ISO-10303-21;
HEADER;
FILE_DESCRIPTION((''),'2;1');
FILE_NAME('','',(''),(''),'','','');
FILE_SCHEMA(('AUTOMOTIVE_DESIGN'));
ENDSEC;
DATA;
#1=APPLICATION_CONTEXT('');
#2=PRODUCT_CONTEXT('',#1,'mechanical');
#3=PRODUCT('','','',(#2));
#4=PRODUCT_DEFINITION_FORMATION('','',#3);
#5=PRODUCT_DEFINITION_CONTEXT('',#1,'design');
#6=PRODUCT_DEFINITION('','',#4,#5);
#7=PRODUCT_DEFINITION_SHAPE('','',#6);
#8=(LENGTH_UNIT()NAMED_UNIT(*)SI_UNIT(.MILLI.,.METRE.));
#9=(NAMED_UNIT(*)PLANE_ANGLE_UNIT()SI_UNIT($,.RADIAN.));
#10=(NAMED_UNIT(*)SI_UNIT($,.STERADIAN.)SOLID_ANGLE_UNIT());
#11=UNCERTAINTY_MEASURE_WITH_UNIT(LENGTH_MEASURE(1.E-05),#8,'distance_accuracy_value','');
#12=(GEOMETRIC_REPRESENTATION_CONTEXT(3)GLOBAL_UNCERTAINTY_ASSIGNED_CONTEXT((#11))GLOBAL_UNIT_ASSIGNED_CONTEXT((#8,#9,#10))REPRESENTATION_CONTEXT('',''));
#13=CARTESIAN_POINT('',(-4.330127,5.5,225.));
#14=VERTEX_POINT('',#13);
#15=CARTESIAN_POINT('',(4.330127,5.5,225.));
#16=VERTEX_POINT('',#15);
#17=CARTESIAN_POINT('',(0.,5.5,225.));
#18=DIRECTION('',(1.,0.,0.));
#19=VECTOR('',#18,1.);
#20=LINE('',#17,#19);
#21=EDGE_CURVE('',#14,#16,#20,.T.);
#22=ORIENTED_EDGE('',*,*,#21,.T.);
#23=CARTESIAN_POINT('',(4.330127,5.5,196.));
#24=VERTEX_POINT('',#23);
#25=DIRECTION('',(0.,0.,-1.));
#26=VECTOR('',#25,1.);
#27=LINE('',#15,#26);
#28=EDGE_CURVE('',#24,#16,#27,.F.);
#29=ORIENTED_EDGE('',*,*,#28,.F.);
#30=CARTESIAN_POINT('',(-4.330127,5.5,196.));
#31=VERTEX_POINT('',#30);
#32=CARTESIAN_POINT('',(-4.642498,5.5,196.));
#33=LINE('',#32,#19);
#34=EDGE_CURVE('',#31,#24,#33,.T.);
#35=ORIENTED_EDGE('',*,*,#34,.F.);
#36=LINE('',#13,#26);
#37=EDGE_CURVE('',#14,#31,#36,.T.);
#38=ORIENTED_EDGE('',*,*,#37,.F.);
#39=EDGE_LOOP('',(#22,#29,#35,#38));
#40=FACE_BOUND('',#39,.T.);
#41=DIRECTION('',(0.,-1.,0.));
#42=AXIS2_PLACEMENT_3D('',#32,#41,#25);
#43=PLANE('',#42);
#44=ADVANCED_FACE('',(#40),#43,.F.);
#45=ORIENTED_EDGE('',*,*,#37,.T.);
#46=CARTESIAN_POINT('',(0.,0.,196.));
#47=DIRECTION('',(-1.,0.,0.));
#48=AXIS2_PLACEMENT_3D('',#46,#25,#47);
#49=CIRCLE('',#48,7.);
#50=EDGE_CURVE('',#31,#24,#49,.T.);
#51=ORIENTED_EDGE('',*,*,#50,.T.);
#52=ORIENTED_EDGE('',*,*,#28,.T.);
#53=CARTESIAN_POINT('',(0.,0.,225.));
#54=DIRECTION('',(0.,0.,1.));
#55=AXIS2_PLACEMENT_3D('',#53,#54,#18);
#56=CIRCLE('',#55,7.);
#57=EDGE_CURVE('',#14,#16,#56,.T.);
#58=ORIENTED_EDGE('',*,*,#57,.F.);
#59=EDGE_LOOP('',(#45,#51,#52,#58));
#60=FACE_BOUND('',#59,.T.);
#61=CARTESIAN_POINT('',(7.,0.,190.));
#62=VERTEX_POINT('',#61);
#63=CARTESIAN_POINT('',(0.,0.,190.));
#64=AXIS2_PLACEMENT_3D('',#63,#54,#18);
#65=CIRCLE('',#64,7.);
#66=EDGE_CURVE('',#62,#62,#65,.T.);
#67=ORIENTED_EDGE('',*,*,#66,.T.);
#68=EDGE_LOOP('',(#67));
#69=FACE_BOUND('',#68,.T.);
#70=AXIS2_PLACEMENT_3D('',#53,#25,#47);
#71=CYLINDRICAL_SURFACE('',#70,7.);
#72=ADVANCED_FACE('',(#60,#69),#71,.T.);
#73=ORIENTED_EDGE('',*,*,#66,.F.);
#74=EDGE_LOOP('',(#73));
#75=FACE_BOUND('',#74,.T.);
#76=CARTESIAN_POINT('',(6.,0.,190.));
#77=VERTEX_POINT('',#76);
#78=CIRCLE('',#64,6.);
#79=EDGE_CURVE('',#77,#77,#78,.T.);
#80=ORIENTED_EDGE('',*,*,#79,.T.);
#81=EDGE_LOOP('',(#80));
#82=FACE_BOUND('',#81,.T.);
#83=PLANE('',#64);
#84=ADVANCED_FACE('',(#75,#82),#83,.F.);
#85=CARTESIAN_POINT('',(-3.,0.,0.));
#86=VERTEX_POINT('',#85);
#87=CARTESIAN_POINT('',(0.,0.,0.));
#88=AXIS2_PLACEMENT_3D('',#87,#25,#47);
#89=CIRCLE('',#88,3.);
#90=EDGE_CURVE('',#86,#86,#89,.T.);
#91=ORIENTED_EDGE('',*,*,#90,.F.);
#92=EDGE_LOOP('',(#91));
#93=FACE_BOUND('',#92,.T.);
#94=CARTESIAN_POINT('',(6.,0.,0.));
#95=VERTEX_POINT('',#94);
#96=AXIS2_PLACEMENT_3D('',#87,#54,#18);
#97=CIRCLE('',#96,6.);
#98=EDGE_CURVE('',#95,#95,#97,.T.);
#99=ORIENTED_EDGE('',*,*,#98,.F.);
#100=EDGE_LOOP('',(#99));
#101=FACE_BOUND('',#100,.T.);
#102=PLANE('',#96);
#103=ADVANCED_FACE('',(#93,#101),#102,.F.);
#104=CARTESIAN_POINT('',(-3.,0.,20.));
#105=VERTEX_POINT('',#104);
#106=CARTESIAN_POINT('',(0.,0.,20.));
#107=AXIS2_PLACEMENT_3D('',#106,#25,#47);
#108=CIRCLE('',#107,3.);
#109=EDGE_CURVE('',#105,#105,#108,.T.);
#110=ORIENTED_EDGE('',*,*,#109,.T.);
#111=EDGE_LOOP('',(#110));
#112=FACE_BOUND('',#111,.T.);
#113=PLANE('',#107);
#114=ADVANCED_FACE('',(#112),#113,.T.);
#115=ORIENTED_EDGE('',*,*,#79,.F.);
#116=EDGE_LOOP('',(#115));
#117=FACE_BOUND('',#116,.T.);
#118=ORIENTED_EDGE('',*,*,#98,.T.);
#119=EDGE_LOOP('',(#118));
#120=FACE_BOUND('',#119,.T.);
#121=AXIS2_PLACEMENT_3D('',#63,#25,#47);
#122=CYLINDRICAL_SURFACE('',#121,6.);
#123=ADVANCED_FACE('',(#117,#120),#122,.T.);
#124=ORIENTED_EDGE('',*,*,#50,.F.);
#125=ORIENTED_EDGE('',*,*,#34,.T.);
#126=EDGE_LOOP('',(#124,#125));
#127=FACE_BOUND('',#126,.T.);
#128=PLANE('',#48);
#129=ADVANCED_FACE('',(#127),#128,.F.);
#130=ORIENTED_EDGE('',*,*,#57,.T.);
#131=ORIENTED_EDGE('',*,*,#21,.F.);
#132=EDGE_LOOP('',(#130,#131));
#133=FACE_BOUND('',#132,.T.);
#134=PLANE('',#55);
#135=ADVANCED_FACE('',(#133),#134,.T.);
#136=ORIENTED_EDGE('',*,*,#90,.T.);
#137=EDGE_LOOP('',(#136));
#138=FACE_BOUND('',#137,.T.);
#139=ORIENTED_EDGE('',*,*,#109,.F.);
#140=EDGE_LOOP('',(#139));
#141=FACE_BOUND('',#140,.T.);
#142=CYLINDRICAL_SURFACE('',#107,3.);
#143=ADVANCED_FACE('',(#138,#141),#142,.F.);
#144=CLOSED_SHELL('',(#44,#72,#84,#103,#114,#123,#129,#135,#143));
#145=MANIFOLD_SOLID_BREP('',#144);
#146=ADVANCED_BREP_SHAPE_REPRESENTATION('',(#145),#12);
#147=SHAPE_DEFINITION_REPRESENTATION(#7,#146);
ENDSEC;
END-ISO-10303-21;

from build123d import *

# Parameters (mm, degrees)
ESQUISSE1_R             = 6
BOSS_EXTRU_1_DEPTH      = 190
ESQUISSE2_R             = 7
BOSS_EXTRU_2_DEPTH      = 35
ESQUISSE3_R             = 3
ENL_V_MAT_EXTRU_1_DEPTH = 20
ESQUISSE4_W             = 10.048379513
ESQUISSE4_H             = 5
ENL_V_MAT_EXTRU_2_DEPTH = 29


with BuildPart() as part:
    # Esquisse1 → Boss.-Extru.1 (new body)
    with BuildSketch(Plane.XY):
        Circle(ESQUISSE1_R)
    extrude(amount=BOSS_EXTRU_1_DEPTH)

    # Esquisse2 → Boss.-Extru.2 (add)
    with BuildSketch(Plane.XY.offset(190)):
        Circle(ESQUISSE2_R)
    extrude(amount=BOSS_EXTRU_2_DEPTH)

    # Esquisse3 → Enlèv. mat.-Extru.1 (cut)
    with BuildSketch(Plane(origin=(0, 0, 0), x_dir=(-1, 0, 0), z_dir=(0, 0, -1))):
        Circle(ESQUISSE3_R)
    extrude(amount=-ENL_V_MAT_EXTRU_1_DEPTH, mode=Mode.SUBTRACT)

    # Esquisse4 → Enlèv. mat.-Extru.2 (cut)
    with BuildSketch(Plane.XY.offset(225)):
        with Locations((0.381691631, 8)):
            Rectangle(ESQUISSE4_W, ESQUISSE4_H)
    extrude(amount=-ENL_V_MAT_EXTRU_2_DEPTH, mode=Mode.SUBTRACT)


solid = part.part
